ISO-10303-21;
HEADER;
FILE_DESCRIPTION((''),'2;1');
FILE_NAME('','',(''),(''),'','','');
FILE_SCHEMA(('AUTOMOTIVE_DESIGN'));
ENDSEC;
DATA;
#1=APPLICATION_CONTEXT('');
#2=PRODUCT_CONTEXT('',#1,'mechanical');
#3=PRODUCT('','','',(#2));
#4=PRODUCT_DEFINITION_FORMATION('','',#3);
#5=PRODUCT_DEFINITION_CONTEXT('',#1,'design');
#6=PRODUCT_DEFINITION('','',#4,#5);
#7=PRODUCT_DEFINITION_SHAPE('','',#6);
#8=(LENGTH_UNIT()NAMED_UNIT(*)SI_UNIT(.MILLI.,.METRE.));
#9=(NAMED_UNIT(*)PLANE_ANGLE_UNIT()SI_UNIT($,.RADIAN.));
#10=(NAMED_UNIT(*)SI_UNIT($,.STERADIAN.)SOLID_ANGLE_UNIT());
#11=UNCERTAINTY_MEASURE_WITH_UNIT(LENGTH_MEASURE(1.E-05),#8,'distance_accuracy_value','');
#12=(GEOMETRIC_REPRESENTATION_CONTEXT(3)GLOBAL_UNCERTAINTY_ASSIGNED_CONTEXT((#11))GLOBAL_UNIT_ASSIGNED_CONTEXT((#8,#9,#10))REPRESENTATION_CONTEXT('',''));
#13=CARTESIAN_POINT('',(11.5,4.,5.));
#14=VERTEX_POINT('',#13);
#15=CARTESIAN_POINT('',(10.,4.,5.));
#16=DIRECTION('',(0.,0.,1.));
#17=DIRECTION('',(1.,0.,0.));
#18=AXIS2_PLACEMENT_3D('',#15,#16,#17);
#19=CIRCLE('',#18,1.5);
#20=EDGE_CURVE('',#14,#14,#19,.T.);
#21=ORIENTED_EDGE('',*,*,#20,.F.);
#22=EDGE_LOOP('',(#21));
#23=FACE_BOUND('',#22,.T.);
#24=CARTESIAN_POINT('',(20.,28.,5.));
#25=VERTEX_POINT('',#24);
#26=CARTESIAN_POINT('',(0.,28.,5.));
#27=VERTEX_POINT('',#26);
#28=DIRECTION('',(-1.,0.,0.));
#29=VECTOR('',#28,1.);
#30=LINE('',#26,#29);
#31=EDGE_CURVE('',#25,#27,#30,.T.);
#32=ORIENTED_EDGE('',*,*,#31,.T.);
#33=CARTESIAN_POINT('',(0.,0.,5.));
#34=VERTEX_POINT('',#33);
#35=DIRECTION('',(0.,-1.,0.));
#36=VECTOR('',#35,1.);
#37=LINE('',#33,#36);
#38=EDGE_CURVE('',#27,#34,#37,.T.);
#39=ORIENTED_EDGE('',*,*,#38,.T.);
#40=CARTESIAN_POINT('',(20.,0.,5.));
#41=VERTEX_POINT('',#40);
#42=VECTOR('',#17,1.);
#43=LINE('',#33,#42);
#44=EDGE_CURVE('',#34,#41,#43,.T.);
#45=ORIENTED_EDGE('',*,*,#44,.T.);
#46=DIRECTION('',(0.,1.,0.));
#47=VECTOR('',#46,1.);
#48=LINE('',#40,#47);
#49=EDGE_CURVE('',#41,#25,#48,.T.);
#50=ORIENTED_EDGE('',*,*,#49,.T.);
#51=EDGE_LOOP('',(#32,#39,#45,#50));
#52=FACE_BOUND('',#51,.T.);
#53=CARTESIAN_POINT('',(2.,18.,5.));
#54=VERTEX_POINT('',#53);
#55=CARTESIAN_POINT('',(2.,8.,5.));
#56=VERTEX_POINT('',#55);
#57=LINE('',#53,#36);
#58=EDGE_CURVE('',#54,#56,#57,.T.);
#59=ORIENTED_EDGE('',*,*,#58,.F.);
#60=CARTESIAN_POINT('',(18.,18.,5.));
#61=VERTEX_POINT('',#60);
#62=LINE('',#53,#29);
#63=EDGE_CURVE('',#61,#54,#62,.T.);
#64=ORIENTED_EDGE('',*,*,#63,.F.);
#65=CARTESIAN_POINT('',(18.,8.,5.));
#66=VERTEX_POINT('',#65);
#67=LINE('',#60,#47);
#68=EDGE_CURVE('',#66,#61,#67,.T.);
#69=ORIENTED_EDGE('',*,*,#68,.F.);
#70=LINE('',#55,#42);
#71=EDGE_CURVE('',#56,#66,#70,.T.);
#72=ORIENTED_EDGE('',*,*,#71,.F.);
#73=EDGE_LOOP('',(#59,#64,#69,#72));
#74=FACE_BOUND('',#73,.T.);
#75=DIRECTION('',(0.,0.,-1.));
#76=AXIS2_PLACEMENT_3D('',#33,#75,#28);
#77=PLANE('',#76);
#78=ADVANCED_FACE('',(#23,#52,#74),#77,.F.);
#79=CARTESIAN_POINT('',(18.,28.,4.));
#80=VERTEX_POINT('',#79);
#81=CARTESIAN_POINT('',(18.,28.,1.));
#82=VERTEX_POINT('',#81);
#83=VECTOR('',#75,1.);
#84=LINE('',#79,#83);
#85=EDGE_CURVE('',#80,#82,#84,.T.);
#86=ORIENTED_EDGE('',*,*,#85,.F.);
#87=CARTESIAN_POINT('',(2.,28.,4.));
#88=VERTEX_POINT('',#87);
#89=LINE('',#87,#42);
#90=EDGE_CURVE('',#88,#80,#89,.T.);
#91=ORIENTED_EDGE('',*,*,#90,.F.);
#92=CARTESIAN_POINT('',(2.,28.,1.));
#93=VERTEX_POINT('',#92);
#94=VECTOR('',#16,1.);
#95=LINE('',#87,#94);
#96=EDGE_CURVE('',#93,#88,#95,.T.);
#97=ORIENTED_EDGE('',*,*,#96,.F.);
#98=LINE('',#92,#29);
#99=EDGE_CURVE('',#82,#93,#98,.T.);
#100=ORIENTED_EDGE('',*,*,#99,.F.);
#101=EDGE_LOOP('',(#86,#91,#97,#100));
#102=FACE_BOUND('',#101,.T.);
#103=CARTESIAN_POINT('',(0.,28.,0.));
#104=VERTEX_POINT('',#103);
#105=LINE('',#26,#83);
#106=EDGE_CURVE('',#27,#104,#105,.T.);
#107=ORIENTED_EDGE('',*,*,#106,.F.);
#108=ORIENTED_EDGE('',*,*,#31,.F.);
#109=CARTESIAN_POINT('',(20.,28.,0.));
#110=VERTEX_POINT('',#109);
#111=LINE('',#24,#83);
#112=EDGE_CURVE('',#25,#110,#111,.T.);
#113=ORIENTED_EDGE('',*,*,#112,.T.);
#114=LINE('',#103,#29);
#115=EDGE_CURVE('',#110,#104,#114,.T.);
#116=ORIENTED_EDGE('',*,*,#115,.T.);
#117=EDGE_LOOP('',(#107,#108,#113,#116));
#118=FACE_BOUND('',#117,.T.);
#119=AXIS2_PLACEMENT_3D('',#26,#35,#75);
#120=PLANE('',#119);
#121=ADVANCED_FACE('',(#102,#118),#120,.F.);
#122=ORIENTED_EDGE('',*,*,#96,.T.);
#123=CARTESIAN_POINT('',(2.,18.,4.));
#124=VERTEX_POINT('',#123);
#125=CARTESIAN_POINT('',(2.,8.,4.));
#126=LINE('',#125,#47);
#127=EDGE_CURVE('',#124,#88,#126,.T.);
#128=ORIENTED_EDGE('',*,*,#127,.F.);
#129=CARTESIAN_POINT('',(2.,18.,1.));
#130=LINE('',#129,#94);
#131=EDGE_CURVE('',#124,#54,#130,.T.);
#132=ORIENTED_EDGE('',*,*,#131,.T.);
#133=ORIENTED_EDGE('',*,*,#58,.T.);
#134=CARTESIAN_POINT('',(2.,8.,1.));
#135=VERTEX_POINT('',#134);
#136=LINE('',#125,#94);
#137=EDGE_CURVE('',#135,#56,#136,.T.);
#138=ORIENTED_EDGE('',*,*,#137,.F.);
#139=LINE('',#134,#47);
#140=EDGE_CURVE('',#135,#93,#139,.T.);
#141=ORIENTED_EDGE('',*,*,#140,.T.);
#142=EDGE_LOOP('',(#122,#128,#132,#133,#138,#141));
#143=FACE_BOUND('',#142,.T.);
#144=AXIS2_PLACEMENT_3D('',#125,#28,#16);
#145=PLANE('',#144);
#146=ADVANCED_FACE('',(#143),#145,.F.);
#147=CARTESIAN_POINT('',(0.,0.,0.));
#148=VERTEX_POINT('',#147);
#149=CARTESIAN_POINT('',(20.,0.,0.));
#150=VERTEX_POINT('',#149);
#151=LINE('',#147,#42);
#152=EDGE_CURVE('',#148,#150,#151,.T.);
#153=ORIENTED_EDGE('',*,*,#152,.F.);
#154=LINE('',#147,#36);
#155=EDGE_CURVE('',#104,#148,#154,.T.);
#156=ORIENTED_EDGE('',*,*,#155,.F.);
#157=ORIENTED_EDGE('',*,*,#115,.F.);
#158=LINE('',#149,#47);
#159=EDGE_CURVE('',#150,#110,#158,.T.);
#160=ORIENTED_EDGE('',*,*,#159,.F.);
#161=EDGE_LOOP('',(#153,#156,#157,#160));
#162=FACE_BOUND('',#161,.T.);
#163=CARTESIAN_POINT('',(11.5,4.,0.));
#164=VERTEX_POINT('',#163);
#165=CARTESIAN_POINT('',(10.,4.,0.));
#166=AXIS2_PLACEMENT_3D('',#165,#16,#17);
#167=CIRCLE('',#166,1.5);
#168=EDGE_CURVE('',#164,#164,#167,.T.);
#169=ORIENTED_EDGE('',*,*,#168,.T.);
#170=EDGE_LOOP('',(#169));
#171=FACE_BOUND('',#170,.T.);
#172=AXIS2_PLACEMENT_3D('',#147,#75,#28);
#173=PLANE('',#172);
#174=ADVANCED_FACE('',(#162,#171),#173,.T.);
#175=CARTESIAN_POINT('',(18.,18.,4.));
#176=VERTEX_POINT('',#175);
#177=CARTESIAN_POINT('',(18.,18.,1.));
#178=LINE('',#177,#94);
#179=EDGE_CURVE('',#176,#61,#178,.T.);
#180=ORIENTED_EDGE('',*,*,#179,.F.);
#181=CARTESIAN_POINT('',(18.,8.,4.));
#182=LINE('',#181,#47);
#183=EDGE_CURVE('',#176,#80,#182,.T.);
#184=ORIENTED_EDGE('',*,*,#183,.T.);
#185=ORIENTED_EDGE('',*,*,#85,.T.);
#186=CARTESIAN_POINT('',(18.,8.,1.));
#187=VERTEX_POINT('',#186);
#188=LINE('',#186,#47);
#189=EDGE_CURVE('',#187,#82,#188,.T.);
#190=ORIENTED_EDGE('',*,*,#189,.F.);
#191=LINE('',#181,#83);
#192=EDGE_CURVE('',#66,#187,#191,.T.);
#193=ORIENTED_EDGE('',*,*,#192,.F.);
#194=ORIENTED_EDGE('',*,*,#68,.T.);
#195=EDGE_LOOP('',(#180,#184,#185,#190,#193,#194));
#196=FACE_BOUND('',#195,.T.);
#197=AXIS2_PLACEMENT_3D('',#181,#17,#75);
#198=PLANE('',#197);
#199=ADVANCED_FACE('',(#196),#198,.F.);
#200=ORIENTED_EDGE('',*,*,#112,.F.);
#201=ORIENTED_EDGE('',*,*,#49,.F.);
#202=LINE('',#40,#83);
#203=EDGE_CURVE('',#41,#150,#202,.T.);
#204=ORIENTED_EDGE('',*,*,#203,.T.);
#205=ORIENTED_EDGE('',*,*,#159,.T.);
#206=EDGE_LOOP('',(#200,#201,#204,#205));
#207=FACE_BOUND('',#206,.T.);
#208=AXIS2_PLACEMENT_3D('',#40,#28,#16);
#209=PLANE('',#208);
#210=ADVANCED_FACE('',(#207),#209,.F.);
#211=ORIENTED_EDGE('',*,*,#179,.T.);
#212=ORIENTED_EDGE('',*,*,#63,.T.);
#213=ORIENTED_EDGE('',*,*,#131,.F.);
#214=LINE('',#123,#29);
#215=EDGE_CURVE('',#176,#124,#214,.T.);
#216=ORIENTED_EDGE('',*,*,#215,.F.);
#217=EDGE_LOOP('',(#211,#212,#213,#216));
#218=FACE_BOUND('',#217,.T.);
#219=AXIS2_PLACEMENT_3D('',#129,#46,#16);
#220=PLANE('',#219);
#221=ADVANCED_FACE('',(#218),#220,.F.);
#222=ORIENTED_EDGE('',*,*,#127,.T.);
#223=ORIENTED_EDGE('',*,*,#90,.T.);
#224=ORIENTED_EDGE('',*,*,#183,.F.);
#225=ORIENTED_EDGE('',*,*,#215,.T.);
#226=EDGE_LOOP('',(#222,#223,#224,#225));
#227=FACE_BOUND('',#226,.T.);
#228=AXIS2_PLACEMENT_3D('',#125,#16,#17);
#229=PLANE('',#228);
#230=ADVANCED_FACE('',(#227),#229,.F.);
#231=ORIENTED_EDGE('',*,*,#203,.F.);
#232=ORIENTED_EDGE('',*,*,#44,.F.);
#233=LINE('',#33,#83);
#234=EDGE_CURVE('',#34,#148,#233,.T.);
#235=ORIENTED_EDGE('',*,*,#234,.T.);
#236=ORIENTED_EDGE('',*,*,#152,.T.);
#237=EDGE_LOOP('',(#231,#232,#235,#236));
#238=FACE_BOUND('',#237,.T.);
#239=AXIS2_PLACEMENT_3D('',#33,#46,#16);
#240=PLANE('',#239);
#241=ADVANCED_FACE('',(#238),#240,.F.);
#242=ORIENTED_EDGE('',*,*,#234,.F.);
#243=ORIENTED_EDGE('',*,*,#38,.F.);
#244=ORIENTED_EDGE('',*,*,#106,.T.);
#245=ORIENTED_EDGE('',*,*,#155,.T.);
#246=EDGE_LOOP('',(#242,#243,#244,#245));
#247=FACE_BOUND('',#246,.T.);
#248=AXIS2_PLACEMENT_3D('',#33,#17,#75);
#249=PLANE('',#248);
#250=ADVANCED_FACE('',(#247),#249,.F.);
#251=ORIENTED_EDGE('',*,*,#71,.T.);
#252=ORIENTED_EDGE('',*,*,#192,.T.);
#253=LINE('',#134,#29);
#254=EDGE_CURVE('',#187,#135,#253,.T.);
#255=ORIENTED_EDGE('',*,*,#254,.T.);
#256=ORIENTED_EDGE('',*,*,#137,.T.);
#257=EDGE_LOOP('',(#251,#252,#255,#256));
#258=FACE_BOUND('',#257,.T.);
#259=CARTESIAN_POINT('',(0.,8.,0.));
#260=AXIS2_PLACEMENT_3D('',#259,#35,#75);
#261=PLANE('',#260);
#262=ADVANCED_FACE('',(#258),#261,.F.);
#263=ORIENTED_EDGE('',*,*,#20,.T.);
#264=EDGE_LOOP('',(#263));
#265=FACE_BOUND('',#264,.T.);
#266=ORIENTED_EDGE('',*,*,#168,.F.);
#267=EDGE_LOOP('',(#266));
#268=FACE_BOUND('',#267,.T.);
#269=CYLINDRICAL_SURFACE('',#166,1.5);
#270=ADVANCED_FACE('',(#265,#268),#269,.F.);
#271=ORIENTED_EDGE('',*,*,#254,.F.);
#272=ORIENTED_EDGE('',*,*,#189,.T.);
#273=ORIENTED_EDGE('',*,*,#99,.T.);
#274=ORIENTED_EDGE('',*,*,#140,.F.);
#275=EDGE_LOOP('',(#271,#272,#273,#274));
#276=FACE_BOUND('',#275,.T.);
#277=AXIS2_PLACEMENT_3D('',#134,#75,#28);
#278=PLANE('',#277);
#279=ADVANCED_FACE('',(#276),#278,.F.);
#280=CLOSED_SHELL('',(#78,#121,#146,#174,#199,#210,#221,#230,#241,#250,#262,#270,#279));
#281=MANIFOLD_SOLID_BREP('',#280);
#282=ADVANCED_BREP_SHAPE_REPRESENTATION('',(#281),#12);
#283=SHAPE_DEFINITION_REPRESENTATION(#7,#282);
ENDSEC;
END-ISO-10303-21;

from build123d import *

# Parameters (mm, degrees)
SKETCH1_W           = 20
SKETCH1_H           = 28
BOSS_EXTRUDE1_DEPTH = 5
SKETCH2_R           = 1.5
CUT_EXTRUDE1_DEPTH  = 5
SKETCH3_W           = 16
SKETCH3_H           = 3
CUT_EXTRUDE2_DEPTH  = 20
SKETCH4_W           = 16
SKETCH4_H           = 10
CUT_EXTRUDE3_DEPTH  = 4


with BuildPart() as part:
    # Sketch1 → Boss-Extrude1 (new body)
    with BuildSketch(Plane.XY):
        with Locations((10, 14)):
            Rectangle(SKETCH1_W, SKETCH1_H)
    extrude(amount=BOSS_EXTRUDE1_DEPTH)

    # Sketch2 → Cut-Extrude1 (cut)
    with BuildSketch(Plane.XY.offset(5)):
        with Locations((10, 4)):
            Circle(SKETCH2_R)
    extrude(amount=-CUT_EXTRUDE1_DEPTH, mode=Mode.SUBTRACT)

    # Sketch3 → Cut-Extrude2 (cut)
    with BuildSketch(Plane(origin=(0, 28, 0), x_dir=(1, 0, 0), z_dir=(0, 1, 0))):
        with Locations((10, -2.5)):
            Rectangle(SKETCH3_W, SKETCH3_H)
    extrude(amount=-CUT_EXTRUDE2_DEPTH, mode=Mode.SUBTRACT)

    # Sketch4 → Cut-Extrude3 (cut)
    with BuildSketch(Plane.XY.offset(5)):
        with Locations((10, 13)):
            Rectangle(SKETCH4_W, SKETCH4_H)
    extrude(amount=-CUT_EXTRUDE3_DEPTH, mode=Mode.SUBTRACT)


solid = part.part
